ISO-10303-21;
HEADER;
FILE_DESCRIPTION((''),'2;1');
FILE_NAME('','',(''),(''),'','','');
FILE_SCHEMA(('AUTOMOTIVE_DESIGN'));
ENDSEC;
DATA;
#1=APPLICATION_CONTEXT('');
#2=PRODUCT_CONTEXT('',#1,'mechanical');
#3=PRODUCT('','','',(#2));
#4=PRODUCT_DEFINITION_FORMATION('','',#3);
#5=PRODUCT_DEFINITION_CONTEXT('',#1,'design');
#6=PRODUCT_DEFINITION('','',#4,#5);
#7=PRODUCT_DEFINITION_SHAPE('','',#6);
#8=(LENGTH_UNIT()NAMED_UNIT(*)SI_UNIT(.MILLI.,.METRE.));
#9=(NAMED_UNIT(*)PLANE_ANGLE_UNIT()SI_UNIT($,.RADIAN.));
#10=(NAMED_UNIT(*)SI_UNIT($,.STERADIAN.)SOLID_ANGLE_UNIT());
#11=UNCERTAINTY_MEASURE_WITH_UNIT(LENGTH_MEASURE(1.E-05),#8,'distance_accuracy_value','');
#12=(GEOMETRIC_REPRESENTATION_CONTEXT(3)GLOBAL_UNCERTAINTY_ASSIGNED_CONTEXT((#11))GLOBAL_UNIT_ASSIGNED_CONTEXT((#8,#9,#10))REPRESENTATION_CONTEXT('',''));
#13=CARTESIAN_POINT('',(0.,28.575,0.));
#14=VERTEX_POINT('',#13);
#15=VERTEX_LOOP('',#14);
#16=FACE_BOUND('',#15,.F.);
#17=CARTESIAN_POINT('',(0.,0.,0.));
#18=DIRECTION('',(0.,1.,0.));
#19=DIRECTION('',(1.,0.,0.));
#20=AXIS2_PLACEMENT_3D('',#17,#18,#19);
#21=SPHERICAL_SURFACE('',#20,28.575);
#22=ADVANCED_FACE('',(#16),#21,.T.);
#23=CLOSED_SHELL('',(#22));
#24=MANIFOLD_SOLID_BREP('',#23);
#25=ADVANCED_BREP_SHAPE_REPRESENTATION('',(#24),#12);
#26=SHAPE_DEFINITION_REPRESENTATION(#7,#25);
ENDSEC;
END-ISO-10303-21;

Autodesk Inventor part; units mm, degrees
ref_plane "YZ Plane" through (0, 0, 0) normal (1, 0, 0) x (0, 1, 0)
ref_plane "XZ Plane" through (0, 0, 0) normal (0, 1, 0) x (-1, 0, 0)
ref_plane "XY Plane" through (0, 0, 0) normal (0, 0, 1) x (1, 0, 0)
sketch "Sketch1" plane through (0, 0, 0) normal (0, 0, 1) x (1, 0, 0)
  line L0 (0, 28.575) -> (0, -28.575)
  arc A0 (0, -28.575) -> (0, 28.575) centre (0, 0) ccw
  dimension "d5" = 28.575
  dimension "d6" = 28.575
  dimension "d9" = 57.15
revolve "Revolution1" add sketch "Sketch1" angle 360 about axis through (0, 28.575, 0) along (0, -1, 0)
equation "\"d5\" = 0.5 * d9"
equation "\"d6\" = 0.5 * d9"
properties part number "Ball"
